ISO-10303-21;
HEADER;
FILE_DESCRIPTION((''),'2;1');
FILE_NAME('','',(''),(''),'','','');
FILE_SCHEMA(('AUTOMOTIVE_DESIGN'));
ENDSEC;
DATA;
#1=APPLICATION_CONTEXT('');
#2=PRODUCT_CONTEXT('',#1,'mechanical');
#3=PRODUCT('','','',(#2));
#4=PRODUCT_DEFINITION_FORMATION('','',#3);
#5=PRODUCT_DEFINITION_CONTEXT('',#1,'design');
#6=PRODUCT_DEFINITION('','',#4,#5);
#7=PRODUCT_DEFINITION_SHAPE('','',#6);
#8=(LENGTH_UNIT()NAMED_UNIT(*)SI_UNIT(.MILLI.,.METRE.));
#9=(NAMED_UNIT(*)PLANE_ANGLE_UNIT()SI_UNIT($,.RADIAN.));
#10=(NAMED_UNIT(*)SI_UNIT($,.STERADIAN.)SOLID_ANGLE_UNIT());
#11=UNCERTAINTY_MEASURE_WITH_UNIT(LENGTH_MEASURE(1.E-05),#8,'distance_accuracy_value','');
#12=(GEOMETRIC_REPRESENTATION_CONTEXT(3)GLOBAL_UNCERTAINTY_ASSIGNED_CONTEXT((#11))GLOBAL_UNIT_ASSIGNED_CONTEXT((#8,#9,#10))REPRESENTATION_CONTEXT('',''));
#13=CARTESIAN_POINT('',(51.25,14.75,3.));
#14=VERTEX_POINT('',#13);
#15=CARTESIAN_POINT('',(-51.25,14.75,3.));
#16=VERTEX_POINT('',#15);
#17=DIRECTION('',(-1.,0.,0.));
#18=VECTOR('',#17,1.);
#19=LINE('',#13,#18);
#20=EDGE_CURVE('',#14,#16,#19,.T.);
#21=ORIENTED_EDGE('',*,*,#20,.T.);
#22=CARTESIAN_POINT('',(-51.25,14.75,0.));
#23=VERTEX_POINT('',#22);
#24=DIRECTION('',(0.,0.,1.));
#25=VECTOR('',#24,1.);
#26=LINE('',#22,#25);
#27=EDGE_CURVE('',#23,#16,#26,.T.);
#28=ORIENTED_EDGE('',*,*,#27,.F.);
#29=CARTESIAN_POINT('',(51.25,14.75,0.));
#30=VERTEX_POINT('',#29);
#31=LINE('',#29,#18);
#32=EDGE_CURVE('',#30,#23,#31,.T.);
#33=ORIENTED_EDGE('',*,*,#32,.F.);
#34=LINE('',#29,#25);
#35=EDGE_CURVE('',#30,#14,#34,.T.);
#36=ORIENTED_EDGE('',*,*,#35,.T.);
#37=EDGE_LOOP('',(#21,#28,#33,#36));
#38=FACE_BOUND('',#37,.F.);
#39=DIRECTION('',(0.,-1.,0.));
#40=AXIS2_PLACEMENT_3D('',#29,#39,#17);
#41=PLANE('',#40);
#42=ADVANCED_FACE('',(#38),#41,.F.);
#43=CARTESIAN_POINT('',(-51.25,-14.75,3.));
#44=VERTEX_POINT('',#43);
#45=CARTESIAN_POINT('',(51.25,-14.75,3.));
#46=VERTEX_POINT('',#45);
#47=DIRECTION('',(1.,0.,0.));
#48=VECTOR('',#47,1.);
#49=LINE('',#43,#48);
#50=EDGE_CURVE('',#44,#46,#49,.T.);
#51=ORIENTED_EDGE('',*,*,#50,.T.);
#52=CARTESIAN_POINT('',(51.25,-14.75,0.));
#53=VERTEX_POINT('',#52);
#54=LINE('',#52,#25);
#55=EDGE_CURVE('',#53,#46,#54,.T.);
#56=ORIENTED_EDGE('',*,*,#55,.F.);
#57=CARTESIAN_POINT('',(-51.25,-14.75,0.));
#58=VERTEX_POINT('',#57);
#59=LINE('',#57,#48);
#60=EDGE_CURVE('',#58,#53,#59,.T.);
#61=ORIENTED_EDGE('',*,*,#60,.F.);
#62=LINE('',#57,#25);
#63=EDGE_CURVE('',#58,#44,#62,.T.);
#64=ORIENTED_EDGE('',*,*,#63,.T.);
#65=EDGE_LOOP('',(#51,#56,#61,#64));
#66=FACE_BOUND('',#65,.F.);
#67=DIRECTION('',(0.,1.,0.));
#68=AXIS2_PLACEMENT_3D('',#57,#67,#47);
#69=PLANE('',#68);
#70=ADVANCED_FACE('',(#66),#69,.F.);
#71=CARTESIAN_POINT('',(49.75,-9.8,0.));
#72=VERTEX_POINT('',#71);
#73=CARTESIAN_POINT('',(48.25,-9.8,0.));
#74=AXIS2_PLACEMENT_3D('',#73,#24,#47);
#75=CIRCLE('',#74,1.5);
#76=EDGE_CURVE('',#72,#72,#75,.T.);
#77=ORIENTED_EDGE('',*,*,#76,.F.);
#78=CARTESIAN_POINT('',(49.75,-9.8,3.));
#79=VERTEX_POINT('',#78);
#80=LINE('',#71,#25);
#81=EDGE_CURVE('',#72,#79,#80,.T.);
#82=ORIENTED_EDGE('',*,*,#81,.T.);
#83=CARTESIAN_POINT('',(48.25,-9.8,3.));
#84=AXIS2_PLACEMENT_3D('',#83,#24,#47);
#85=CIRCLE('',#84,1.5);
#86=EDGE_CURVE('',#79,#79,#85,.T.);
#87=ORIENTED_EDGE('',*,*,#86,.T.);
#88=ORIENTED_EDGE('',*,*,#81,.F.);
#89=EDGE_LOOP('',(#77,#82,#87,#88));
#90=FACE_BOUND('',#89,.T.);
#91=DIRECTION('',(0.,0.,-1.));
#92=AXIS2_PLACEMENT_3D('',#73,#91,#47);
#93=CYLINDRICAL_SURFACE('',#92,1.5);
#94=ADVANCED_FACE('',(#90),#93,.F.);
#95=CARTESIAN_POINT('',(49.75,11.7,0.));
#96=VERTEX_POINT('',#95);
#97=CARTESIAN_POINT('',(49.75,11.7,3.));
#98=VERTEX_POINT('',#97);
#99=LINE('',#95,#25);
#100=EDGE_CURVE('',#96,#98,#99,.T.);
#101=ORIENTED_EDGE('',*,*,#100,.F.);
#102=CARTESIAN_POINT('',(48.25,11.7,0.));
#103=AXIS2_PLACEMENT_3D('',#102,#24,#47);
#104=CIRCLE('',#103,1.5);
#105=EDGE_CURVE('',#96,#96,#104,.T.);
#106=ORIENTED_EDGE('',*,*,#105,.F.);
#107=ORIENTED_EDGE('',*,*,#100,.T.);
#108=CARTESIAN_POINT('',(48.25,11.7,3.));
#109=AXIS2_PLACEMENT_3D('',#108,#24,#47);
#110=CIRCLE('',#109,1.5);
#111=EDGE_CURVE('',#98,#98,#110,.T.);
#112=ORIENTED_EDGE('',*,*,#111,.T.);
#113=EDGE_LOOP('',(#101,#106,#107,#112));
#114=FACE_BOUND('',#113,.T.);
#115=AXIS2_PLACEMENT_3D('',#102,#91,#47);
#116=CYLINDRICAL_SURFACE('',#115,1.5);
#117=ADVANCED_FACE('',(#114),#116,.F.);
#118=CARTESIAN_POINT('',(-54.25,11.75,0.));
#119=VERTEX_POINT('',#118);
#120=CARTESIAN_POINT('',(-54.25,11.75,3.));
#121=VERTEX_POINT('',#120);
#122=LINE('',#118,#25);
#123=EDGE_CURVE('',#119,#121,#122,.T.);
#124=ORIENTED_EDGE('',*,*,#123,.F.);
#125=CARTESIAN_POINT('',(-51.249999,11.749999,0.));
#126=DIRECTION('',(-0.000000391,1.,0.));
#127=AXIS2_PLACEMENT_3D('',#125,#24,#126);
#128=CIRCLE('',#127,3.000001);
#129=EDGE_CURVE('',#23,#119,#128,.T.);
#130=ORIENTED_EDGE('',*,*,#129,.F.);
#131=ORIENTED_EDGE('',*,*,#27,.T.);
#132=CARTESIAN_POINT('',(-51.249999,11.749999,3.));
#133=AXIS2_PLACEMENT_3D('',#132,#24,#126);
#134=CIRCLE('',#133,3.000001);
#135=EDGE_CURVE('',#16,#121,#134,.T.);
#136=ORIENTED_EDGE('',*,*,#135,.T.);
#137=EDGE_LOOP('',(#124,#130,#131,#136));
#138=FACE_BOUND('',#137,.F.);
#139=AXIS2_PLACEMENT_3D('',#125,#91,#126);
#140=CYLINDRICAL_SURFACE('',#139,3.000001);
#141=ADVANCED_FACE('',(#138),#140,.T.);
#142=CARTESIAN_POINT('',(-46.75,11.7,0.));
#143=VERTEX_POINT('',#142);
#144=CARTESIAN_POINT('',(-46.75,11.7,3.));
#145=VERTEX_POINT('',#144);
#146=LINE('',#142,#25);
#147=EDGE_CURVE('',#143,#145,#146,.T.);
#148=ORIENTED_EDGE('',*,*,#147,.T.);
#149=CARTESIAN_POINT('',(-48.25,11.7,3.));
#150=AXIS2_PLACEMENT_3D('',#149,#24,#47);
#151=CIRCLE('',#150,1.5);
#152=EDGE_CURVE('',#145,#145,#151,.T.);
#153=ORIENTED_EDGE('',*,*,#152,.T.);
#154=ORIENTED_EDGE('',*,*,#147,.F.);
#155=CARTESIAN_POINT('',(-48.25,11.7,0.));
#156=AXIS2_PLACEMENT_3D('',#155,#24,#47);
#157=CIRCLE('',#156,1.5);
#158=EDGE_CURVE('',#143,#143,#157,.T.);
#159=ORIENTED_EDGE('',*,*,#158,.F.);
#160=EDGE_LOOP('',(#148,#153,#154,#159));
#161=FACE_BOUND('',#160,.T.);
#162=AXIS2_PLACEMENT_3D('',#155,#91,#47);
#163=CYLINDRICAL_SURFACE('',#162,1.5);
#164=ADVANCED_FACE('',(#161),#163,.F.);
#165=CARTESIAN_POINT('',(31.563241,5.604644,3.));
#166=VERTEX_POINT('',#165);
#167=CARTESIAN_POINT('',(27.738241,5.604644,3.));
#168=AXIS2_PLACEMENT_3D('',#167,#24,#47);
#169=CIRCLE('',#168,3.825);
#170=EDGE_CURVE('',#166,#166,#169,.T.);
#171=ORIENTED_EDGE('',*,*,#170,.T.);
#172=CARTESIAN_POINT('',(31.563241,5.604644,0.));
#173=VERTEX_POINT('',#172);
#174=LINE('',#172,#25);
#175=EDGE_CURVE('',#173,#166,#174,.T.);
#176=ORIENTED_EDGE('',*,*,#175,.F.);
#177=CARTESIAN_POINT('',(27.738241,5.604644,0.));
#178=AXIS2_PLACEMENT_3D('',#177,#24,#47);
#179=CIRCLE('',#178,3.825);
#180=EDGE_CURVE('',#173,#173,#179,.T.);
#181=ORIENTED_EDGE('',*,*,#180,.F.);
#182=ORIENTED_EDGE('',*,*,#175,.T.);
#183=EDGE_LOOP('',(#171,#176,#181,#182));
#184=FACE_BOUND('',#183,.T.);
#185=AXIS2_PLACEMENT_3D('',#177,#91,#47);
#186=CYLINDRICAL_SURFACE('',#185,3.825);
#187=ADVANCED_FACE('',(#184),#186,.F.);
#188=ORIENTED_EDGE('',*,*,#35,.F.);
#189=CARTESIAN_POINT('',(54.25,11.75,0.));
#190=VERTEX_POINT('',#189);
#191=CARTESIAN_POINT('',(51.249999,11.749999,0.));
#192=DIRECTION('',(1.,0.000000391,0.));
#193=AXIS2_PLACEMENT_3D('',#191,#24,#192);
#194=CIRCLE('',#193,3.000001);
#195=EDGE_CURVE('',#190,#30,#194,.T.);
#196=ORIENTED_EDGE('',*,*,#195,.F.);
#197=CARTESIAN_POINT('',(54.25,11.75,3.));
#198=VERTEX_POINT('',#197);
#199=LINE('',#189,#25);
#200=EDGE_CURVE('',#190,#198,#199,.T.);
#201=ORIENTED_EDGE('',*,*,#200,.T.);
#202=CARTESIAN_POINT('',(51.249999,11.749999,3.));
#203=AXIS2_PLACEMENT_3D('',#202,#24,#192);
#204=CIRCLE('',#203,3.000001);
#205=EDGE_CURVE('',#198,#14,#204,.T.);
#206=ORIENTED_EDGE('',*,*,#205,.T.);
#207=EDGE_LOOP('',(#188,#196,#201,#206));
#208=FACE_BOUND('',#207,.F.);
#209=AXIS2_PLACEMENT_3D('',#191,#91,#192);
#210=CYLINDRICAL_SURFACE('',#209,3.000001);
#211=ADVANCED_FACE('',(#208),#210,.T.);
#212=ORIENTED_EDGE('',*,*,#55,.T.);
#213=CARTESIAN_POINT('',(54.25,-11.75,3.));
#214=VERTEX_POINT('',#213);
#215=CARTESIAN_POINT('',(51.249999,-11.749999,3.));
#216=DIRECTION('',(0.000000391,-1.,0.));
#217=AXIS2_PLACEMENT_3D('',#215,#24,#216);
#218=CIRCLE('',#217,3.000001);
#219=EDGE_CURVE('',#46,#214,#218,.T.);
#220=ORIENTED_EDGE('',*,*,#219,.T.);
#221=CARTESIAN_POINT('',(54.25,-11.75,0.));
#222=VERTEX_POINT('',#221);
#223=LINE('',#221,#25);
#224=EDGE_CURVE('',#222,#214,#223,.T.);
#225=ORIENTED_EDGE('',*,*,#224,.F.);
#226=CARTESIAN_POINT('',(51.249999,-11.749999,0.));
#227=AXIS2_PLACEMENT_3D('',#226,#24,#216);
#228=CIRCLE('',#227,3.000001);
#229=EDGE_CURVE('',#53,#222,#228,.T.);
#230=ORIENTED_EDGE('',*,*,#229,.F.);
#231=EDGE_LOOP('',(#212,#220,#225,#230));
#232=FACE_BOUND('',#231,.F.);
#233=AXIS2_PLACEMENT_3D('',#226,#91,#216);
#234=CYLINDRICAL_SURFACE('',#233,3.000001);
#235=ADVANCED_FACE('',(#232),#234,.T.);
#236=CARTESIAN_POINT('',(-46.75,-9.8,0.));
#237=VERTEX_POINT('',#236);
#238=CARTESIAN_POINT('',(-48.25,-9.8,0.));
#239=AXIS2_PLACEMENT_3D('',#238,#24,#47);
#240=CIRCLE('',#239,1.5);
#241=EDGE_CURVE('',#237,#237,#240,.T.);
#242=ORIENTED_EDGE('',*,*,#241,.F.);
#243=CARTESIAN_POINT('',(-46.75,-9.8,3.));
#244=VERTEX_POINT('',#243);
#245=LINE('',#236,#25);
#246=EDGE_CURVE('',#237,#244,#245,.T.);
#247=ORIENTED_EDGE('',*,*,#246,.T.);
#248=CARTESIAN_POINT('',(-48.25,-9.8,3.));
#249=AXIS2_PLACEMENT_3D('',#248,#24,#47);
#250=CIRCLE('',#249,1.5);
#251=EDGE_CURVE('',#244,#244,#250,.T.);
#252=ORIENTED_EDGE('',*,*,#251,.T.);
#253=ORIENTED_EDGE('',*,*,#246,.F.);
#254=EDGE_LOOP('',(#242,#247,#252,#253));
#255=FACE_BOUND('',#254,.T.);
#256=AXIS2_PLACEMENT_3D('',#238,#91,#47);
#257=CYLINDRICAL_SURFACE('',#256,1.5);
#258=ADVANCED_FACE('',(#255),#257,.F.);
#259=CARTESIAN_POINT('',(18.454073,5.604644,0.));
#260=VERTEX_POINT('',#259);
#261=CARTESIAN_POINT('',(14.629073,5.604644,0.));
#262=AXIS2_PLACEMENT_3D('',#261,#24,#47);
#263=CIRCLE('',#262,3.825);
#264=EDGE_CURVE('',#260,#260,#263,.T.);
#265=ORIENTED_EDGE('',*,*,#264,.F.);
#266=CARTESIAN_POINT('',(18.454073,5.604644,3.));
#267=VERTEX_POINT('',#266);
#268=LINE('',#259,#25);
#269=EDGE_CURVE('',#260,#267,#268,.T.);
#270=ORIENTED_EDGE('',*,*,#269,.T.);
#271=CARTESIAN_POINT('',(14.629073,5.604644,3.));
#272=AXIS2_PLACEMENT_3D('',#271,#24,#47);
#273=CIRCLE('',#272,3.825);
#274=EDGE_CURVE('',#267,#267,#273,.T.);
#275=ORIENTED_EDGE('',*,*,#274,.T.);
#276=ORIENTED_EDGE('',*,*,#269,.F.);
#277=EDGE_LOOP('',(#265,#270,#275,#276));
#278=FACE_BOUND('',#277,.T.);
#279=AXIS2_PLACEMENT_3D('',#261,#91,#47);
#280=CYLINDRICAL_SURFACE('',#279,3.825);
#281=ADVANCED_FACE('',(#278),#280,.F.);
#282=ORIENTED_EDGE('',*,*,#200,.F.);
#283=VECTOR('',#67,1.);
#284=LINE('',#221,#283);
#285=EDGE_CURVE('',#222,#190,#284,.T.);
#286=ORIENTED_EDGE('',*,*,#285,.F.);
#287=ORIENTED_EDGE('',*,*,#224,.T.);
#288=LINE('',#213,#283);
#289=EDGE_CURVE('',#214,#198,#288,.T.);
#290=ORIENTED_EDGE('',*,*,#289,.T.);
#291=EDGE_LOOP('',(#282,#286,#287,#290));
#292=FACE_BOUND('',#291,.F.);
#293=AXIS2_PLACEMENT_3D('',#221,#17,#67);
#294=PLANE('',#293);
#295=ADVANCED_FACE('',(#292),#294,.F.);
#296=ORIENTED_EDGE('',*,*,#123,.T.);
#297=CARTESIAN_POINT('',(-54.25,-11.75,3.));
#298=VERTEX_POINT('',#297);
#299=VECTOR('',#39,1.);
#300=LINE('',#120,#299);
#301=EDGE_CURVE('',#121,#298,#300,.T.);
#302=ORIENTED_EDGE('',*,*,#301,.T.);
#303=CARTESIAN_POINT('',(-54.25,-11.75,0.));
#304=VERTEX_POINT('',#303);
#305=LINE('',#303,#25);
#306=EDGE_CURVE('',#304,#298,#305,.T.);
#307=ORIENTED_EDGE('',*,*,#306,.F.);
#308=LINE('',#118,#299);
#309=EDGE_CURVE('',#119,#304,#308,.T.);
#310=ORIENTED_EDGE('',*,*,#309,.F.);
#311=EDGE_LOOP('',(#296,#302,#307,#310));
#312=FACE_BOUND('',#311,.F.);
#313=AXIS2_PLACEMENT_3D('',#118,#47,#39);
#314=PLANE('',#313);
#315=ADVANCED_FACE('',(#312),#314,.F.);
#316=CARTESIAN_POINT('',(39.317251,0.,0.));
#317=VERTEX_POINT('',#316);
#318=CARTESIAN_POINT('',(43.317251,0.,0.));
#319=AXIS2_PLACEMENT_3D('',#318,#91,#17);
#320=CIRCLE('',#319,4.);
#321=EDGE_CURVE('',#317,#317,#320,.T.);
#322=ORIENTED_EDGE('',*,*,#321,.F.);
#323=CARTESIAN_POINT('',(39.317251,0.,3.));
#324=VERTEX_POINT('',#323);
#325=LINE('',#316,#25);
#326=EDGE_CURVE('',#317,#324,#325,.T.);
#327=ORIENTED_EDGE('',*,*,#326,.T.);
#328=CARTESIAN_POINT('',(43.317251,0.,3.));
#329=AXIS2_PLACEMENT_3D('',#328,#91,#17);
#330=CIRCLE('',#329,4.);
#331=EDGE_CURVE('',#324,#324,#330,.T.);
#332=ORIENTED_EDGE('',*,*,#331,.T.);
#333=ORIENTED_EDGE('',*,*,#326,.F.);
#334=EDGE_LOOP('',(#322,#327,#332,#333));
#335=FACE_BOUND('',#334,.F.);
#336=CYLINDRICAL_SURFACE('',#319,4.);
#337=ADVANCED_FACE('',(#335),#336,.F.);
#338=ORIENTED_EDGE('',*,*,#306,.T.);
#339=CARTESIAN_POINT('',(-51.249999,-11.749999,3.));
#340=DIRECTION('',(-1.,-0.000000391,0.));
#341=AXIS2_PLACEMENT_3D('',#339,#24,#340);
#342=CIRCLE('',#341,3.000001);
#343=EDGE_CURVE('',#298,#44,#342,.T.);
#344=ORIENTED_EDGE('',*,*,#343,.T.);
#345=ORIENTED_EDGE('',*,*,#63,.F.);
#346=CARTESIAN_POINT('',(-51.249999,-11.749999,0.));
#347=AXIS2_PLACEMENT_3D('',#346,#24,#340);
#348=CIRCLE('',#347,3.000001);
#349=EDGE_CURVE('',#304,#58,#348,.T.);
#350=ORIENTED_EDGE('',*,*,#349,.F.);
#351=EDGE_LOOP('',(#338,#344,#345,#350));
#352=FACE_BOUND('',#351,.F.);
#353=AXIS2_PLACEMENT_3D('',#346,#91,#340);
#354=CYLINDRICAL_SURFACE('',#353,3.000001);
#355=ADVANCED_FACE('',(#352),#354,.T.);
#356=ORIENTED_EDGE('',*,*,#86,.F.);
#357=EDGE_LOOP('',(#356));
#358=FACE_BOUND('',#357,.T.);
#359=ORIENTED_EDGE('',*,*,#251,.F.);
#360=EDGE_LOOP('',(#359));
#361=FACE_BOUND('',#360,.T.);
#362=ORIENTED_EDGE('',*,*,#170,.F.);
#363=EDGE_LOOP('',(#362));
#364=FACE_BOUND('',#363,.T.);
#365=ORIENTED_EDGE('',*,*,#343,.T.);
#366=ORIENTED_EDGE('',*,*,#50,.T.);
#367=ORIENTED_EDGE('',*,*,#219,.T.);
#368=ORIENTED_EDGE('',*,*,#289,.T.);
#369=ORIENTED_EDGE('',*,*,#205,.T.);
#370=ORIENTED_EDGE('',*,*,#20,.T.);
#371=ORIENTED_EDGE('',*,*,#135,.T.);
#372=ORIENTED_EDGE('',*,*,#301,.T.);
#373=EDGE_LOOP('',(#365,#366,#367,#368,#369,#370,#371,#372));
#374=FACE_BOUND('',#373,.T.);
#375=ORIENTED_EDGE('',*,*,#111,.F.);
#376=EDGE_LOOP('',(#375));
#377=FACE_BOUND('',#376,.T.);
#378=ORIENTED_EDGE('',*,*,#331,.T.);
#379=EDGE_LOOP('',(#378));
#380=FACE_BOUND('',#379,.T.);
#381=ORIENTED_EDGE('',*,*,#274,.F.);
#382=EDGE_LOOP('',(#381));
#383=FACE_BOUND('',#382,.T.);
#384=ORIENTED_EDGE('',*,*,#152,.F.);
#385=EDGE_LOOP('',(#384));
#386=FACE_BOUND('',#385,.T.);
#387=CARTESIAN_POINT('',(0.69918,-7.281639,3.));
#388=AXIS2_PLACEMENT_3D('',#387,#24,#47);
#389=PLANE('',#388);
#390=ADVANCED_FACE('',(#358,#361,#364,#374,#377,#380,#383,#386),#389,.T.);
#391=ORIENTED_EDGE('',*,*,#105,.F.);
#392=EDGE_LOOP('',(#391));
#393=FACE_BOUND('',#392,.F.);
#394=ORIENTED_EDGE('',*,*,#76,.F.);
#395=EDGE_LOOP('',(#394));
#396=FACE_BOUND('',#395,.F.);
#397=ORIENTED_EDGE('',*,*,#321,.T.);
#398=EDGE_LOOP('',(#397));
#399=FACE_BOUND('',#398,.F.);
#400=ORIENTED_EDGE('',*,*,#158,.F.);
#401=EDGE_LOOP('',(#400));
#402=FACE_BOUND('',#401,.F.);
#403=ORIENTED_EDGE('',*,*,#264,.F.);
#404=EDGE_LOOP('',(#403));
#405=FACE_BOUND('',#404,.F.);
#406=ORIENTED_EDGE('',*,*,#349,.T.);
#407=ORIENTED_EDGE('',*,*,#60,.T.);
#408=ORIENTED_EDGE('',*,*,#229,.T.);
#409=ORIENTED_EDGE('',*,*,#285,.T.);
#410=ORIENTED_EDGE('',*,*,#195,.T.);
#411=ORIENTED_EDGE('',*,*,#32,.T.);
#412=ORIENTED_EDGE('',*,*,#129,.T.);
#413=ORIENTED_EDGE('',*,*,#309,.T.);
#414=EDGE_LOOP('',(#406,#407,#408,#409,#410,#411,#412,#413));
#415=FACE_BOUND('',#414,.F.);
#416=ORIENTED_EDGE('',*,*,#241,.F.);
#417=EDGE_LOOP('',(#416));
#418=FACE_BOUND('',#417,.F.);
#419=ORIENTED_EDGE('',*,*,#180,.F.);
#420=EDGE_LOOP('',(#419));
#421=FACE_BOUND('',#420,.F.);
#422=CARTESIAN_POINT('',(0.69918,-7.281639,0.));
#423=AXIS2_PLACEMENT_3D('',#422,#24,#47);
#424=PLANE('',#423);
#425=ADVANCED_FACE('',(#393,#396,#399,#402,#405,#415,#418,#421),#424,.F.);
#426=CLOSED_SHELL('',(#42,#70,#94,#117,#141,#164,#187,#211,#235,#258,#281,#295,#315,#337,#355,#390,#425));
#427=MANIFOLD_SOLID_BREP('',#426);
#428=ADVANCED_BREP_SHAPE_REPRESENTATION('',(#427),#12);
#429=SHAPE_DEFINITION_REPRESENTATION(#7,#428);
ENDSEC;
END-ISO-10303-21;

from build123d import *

# Parameters (mm, degrees)
F0_R     = 1.5
F0_R_2   = 3.825
F1_DEPTH = 3


with BuildPart() as f1:
    # F0 (on Top) → F1 (new body)
    with BuildSketch(Plane.XY):
        with BuildLine():
            Line((54.25, -11.75), (54.25, 0))
            Line((54.25, 0), (47.317251, 0))
            ThreePointArc((47.317251, 0), (43.317251, -4), (39.317251, 0))
            Line((39.317251, 0), (-54.25, 0))
            Line((-54.25, 0), (-54.25, -11.75))
            ThreePointArc((-54.25, -11.75), (-53.37132, -13.87132), (-51.25, -14.75))
            Line((-51.25, -14.75), (51.25, -14.75))
            ThreePointArc((51.25, -14.75), (53.37132, -13.87132), (54.25, -11.75))
        make_face()
        with Locations((-48.25, -9.8)):
            Circle(F0_R, mode=Mode.SUBTRACT)
        with Locations((48.25, -9.8)):
            Circle(F0_R, mode=Mode.SUBTRACT)
        with BuildLine():
            ThreePointArc((54.25, 11.75), (53.37132, 13.87132), (51.25, 14.75))
            Line((51.25, 14.75), (-51.25, 14.75))
            ThreePointArc((-51.25, 14.75), (-53.37132, 13.87132), (-54.25, 11.75))
            Line((-54.25, 11.75), (-54.25, 0))
            Line((-54.25, 0), (39.317251, 0))
            ThreePointArc((39.317251, 0), (43.317251, 4), (47.317251, 0))
            Line((47.317251, 0), (54.25, 0))
            Line((54.25, 0), (54.25, 11.75))
        make_face()
        with Locations((-48.25, 11.7)):
            Circle(F0_R, mode=Mode.SUBTRACT)
        with Locations((14.629073, 5.604644)):
            Circle(F0_R_2, mode=Mode.SUBTRACT)
        with Locations((27.738241, 5.604644)):
            Circle(F0_R_2, mode=Mode.SUBTRACT)
        with Locations((48.25, 11.7)):
            Circle(F0_R, mode=Mode.SUBTRACT)
    extrude(amount=F1_DEPTH)


solid = f1.part
